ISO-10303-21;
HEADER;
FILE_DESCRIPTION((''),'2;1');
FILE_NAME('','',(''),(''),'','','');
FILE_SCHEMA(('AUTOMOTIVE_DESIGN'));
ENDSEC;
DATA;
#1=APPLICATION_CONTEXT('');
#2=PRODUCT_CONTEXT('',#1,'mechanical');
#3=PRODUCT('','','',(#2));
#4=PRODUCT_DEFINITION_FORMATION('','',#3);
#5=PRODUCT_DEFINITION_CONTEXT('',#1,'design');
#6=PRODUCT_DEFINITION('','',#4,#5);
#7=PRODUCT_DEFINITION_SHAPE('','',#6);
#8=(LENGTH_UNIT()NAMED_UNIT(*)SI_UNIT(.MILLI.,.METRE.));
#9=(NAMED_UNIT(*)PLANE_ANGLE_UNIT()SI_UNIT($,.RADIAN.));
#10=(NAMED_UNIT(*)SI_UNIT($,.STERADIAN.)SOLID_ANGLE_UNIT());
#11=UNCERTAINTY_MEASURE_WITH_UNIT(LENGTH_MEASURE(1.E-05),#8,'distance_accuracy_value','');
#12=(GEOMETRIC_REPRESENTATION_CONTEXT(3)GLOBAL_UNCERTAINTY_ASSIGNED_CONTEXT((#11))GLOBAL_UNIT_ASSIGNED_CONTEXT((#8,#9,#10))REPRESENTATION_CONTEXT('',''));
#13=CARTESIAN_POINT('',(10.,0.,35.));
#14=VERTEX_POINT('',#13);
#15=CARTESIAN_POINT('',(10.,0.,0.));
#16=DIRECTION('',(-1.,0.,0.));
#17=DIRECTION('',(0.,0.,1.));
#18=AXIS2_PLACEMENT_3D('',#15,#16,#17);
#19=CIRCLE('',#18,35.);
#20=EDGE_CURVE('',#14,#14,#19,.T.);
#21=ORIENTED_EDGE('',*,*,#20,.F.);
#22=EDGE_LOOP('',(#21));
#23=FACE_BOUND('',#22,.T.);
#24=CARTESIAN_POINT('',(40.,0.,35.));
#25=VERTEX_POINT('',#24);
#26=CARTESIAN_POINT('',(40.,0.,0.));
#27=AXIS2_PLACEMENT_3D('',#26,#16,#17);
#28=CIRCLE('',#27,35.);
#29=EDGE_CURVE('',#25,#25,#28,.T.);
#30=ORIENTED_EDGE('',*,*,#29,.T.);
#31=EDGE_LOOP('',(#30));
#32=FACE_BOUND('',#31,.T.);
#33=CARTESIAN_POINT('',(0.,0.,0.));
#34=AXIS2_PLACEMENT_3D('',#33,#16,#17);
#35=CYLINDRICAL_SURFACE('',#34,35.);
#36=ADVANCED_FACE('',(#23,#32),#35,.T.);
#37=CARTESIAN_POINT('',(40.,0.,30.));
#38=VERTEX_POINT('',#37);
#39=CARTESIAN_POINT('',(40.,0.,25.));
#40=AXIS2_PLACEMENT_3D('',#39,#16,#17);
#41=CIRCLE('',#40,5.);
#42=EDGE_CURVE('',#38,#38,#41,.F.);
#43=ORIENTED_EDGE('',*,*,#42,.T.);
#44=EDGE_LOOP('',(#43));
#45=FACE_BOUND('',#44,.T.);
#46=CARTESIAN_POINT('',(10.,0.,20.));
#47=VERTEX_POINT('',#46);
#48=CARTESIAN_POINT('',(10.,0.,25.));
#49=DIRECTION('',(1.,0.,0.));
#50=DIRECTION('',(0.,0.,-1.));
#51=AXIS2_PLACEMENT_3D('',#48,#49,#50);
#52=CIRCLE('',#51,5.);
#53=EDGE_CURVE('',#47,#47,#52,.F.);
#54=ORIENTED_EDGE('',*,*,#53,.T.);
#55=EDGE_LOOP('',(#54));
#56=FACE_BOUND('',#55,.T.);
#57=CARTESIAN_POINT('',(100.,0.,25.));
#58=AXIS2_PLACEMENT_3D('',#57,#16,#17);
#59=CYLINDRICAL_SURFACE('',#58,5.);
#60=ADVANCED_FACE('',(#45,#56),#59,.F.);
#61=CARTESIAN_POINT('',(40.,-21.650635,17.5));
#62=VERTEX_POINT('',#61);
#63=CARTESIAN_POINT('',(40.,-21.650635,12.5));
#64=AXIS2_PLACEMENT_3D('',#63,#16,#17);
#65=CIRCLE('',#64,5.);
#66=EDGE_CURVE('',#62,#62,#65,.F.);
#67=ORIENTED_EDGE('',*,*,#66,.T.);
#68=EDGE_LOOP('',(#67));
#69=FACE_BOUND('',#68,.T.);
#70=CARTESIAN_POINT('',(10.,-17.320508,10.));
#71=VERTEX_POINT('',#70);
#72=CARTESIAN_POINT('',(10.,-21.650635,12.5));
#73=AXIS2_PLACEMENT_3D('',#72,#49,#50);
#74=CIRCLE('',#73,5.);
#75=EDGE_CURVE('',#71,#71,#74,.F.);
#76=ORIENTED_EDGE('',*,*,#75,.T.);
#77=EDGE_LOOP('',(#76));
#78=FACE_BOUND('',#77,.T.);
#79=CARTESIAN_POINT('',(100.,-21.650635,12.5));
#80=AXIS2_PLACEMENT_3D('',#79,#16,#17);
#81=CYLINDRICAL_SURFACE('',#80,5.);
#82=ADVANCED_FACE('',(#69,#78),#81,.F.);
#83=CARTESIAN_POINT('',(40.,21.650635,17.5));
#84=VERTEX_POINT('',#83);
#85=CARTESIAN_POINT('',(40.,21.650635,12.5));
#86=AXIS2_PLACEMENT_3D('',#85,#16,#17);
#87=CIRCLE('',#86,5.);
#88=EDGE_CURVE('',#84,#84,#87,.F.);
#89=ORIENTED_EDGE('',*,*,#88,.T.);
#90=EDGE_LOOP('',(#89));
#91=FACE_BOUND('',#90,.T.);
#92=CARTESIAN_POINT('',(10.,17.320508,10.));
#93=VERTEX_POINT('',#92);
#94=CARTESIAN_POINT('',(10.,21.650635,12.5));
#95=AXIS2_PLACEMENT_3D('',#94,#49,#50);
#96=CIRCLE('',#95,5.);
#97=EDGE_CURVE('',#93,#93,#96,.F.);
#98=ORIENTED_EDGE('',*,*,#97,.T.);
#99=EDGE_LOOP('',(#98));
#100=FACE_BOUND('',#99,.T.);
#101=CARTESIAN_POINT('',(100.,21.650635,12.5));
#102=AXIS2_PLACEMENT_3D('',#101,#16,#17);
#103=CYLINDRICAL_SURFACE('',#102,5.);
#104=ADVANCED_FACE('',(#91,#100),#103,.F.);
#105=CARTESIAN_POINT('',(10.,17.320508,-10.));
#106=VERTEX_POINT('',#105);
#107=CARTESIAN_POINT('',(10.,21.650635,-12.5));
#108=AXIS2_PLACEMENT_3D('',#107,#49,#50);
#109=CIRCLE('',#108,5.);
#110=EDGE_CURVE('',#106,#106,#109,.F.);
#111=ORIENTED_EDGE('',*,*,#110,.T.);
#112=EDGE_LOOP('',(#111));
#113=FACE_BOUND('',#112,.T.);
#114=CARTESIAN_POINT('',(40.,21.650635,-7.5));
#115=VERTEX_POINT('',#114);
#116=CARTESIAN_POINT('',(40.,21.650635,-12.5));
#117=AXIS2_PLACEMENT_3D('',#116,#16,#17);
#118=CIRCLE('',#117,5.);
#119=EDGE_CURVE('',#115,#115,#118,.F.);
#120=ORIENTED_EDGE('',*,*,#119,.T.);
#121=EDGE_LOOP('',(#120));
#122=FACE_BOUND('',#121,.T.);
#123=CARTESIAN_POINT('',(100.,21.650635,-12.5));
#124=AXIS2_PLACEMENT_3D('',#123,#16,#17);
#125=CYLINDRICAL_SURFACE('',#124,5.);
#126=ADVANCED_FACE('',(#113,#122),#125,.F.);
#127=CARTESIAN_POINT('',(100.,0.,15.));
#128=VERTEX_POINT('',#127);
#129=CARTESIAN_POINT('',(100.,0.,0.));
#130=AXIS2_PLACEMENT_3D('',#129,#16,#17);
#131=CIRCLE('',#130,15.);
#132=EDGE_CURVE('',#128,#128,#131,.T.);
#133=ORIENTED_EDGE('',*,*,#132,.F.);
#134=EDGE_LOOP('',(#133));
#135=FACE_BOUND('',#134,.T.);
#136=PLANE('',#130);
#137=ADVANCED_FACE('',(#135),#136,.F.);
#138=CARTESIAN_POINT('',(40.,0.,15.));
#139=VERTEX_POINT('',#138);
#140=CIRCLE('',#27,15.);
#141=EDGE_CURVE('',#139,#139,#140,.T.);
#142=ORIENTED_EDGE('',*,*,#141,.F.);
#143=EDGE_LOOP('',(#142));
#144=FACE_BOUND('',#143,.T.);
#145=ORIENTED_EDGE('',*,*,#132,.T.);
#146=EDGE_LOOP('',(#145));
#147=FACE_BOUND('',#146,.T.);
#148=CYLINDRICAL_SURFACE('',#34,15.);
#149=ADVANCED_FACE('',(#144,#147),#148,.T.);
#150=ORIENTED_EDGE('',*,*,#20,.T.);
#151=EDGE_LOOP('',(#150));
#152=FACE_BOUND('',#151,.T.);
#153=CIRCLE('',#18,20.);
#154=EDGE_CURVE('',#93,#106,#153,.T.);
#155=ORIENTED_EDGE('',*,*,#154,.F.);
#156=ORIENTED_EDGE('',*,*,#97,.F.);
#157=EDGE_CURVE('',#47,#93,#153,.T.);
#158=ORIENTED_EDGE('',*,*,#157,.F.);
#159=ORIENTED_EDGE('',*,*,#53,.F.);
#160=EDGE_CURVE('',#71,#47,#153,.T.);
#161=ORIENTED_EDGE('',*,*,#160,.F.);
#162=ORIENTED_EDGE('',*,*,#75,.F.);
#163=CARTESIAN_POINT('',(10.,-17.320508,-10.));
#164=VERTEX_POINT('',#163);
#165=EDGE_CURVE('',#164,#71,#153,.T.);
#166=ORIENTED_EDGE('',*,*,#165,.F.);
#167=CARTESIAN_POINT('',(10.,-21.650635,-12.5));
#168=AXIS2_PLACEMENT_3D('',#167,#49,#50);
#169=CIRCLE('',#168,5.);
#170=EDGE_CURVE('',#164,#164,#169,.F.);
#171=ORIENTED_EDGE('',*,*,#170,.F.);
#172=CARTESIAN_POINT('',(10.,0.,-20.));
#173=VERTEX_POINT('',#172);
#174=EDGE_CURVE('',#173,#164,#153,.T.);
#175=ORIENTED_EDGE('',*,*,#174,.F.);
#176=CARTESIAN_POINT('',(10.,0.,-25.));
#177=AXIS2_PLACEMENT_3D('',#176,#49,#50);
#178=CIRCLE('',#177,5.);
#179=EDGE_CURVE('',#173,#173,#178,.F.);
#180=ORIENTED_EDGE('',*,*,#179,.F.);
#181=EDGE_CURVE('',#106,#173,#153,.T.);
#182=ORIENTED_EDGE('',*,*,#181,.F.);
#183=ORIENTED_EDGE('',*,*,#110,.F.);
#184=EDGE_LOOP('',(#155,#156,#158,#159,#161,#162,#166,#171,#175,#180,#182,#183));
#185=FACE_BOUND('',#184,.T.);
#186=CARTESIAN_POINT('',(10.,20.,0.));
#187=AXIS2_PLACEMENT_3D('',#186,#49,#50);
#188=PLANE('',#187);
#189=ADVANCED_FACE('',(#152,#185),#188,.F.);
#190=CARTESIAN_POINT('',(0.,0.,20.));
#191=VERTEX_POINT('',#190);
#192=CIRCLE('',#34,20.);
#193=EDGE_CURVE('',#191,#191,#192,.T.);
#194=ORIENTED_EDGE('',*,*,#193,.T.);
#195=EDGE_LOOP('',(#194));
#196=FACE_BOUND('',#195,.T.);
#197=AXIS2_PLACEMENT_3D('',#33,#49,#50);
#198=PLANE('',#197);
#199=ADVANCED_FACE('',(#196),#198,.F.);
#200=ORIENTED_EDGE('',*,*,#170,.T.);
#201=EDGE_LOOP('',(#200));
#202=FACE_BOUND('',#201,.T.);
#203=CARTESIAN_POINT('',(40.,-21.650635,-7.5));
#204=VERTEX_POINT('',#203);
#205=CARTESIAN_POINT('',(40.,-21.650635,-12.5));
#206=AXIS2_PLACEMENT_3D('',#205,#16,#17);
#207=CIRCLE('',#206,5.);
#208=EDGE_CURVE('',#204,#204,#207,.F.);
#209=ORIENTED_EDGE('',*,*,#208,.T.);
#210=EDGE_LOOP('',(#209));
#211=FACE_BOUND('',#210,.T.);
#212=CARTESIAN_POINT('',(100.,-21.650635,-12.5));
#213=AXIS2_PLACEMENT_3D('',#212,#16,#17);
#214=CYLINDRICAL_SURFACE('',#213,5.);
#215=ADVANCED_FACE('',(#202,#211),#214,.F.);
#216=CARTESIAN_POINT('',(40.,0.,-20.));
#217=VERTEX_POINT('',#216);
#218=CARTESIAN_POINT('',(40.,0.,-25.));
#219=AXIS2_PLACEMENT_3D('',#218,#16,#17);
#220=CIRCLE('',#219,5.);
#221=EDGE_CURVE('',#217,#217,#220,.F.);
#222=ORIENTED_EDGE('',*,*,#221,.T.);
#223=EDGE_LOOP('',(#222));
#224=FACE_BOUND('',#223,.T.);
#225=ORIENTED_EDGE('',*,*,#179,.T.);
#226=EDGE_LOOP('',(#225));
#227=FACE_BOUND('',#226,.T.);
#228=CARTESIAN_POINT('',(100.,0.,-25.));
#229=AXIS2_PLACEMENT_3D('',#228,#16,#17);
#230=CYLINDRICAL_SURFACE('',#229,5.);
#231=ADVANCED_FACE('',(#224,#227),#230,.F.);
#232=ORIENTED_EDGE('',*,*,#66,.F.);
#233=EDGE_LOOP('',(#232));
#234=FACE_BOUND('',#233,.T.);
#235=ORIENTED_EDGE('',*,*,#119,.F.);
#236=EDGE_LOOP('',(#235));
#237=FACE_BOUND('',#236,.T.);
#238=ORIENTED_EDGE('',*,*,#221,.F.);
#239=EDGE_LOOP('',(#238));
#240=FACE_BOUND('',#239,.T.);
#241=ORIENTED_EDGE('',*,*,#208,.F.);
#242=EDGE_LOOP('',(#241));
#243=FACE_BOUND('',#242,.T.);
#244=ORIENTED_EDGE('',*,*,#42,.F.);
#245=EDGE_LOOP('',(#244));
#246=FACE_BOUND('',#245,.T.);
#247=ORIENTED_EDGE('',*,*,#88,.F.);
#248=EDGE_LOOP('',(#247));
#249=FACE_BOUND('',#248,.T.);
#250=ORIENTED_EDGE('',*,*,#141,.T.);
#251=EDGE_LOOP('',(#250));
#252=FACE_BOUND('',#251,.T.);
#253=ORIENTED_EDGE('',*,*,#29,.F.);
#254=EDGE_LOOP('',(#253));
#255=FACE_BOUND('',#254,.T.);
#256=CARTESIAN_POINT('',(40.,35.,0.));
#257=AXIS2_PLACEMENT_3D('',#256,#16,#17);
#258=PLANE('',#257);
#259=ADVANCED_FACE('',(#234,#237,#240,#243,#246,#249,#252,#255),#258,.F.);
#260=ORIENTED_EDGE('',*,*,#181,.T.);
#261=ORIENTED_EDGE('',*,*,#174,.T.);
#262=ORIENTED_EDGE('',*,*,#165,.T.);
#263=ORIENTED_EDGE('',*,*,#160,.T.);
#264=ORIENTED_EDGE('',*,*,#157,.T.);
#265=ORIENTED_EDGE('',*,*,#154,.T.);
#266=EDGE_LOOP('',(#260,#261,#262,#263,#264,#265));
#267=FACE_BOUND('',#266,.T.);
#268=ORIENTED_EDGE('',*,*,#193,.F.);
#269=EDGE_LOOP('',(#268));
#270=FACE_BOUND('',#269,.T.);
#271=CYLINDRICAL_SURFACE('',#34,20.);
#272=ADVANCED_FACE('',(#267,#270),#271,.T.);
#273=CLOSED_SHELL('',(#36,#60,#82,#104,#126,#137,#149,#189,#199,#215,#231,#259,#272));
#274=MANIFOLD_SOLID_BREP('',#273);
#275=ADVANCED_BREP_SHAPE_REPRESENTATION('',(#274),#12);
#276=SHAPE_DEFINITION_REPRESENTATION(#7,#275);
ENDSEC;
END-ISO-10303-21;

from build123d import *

# Parameters (mm, degrees)
SKETCH_2_R          = 5
CUT_EXTRUDE_1_DEPTH = 112.579568022
SKETCH_3_R          = 5
CUT_EXTRUDE_2_DEPTH = 112.579568022
SKETCH_4_R          = 5
CUT_EXTRUDE_3_DEPTH = 112.579568022
SKETCH_5_R          = 5
CUT_EXTRUDE_4_DEPTH = 112.579568022
SKETCH_6_R          = 5
CUT_EXTRUDE_5_DEPTH = 112.579568022
SKETCH_7_R          = 5
CUT_EXTRUDE_6_DEPTH = 112.579568022


with BuildPart() as part:
    # Эскиз1 → Повернуть1 (revolve)
    with BuildSketch(Plane.XY, mode=Mode.PRIVATE) as revolve_1_sk:
        Polygon((0, 0), (100, 0), (100, 15), (40, 15), (40, 35), (10, 35), (10, 20), (0, 20), align=None)
    revolve(revolve_1_sk.sketch.rotate(Axis((0, 0, 0), (1, 0, 0)), 90), axis=Axis((0, 0, 0), (1, 0, 0)))

    # Эскиз2 → Вырез-Вытянуть1 (cut, through all)
    with BuildSketch(Plane(origin=(0, 0, 0), x_dir=(0, 0, -1), z_dir=(1, 0, 0))):
        with Locations(Location((25, 0, 0), (0, 0, 180))):
            Circle(SKETCH_2_R)
    extrude(amount=CUT_EXTRUDE_1_DEPTH, mode=Mode.SUBTRACT)

    # Эскиз3 → Вырез-Вытянуть2 (cut, through all)
    with BuildSketch(Plane(origin=(0, 0, 0), x_dir=(0, 0, -1), z_dir=(1, 0, 0))):
        with Locations(Location((12.5, 21.650635095, 0), (0, 0, 180))):
            Circle(SKETCH_3_R)
    extrude(amount=CUT_EXTRUDE_2_DEPTH, mode=Mode.SUBTRACT)

    # Эскиз4 → Вырез-Вытянуть3 (cut, through all)
    with BuildSketch(Plane(origin=(0, 0, 0), x_dir=(0, 0, -1), z_dir=(1, 0, 0))):
        with Locations(Location((-12.5, 21.650635095, 0), (0, 0, 180))):
            Circle(SKETCH_4_R)
    extrude(amount=CUT_EXTRUDE_3_DEPTH, mode=Mode.SUBTRACT)

    # Эскиз5 → Вырез-Вытянуть4 (cut, through all)
    with BuildSketch(Plane(origin=(0, 0, 0), x_dir=(0, 0, -1), z_dir=(1, 0, 0))):
        with Locations(Location((-25, 0, 0), (0, 0, 180))):
            Circle(SKETCH_5_R)
    extrude(amount=CUT_EXTRUDE_4_DEPTH, mode=Mode.SUBTRACT)

    # Эскиз6 → Вырез-Вытянуть5 (cut, through all)
    with BuildSketch(Plane(origin=(0, 0, 0), x_dir=(0, 0, -1), z_dir=(1, 0, 0))):
        with Locations(Location((-12.5, -21.650635095, 0), (0, 0, 180))):
            Circle(SKETCH_6_R)
    extrude(amount=CUT_EXTRUDE_5_DEPTH, mode=Mode.SUBTRACT)

    # Эскиз7 → Вырез-Вытянуть6 (cut, through all)
    with BuildSketch(Plane(origin=(0, 0, 0), x_dir=(0, 0, -1), z_dir=(1, 0, 0))):
        with Locations(Location((12.5, -21.650635095, 0), (0, 0, 180))):
            Circle(SKETCH_7_R)
    extrude(amount=CUT_EXTRUDE_6_DEPTH, mode=Mode.SUBTRACT)


solid = part.part
